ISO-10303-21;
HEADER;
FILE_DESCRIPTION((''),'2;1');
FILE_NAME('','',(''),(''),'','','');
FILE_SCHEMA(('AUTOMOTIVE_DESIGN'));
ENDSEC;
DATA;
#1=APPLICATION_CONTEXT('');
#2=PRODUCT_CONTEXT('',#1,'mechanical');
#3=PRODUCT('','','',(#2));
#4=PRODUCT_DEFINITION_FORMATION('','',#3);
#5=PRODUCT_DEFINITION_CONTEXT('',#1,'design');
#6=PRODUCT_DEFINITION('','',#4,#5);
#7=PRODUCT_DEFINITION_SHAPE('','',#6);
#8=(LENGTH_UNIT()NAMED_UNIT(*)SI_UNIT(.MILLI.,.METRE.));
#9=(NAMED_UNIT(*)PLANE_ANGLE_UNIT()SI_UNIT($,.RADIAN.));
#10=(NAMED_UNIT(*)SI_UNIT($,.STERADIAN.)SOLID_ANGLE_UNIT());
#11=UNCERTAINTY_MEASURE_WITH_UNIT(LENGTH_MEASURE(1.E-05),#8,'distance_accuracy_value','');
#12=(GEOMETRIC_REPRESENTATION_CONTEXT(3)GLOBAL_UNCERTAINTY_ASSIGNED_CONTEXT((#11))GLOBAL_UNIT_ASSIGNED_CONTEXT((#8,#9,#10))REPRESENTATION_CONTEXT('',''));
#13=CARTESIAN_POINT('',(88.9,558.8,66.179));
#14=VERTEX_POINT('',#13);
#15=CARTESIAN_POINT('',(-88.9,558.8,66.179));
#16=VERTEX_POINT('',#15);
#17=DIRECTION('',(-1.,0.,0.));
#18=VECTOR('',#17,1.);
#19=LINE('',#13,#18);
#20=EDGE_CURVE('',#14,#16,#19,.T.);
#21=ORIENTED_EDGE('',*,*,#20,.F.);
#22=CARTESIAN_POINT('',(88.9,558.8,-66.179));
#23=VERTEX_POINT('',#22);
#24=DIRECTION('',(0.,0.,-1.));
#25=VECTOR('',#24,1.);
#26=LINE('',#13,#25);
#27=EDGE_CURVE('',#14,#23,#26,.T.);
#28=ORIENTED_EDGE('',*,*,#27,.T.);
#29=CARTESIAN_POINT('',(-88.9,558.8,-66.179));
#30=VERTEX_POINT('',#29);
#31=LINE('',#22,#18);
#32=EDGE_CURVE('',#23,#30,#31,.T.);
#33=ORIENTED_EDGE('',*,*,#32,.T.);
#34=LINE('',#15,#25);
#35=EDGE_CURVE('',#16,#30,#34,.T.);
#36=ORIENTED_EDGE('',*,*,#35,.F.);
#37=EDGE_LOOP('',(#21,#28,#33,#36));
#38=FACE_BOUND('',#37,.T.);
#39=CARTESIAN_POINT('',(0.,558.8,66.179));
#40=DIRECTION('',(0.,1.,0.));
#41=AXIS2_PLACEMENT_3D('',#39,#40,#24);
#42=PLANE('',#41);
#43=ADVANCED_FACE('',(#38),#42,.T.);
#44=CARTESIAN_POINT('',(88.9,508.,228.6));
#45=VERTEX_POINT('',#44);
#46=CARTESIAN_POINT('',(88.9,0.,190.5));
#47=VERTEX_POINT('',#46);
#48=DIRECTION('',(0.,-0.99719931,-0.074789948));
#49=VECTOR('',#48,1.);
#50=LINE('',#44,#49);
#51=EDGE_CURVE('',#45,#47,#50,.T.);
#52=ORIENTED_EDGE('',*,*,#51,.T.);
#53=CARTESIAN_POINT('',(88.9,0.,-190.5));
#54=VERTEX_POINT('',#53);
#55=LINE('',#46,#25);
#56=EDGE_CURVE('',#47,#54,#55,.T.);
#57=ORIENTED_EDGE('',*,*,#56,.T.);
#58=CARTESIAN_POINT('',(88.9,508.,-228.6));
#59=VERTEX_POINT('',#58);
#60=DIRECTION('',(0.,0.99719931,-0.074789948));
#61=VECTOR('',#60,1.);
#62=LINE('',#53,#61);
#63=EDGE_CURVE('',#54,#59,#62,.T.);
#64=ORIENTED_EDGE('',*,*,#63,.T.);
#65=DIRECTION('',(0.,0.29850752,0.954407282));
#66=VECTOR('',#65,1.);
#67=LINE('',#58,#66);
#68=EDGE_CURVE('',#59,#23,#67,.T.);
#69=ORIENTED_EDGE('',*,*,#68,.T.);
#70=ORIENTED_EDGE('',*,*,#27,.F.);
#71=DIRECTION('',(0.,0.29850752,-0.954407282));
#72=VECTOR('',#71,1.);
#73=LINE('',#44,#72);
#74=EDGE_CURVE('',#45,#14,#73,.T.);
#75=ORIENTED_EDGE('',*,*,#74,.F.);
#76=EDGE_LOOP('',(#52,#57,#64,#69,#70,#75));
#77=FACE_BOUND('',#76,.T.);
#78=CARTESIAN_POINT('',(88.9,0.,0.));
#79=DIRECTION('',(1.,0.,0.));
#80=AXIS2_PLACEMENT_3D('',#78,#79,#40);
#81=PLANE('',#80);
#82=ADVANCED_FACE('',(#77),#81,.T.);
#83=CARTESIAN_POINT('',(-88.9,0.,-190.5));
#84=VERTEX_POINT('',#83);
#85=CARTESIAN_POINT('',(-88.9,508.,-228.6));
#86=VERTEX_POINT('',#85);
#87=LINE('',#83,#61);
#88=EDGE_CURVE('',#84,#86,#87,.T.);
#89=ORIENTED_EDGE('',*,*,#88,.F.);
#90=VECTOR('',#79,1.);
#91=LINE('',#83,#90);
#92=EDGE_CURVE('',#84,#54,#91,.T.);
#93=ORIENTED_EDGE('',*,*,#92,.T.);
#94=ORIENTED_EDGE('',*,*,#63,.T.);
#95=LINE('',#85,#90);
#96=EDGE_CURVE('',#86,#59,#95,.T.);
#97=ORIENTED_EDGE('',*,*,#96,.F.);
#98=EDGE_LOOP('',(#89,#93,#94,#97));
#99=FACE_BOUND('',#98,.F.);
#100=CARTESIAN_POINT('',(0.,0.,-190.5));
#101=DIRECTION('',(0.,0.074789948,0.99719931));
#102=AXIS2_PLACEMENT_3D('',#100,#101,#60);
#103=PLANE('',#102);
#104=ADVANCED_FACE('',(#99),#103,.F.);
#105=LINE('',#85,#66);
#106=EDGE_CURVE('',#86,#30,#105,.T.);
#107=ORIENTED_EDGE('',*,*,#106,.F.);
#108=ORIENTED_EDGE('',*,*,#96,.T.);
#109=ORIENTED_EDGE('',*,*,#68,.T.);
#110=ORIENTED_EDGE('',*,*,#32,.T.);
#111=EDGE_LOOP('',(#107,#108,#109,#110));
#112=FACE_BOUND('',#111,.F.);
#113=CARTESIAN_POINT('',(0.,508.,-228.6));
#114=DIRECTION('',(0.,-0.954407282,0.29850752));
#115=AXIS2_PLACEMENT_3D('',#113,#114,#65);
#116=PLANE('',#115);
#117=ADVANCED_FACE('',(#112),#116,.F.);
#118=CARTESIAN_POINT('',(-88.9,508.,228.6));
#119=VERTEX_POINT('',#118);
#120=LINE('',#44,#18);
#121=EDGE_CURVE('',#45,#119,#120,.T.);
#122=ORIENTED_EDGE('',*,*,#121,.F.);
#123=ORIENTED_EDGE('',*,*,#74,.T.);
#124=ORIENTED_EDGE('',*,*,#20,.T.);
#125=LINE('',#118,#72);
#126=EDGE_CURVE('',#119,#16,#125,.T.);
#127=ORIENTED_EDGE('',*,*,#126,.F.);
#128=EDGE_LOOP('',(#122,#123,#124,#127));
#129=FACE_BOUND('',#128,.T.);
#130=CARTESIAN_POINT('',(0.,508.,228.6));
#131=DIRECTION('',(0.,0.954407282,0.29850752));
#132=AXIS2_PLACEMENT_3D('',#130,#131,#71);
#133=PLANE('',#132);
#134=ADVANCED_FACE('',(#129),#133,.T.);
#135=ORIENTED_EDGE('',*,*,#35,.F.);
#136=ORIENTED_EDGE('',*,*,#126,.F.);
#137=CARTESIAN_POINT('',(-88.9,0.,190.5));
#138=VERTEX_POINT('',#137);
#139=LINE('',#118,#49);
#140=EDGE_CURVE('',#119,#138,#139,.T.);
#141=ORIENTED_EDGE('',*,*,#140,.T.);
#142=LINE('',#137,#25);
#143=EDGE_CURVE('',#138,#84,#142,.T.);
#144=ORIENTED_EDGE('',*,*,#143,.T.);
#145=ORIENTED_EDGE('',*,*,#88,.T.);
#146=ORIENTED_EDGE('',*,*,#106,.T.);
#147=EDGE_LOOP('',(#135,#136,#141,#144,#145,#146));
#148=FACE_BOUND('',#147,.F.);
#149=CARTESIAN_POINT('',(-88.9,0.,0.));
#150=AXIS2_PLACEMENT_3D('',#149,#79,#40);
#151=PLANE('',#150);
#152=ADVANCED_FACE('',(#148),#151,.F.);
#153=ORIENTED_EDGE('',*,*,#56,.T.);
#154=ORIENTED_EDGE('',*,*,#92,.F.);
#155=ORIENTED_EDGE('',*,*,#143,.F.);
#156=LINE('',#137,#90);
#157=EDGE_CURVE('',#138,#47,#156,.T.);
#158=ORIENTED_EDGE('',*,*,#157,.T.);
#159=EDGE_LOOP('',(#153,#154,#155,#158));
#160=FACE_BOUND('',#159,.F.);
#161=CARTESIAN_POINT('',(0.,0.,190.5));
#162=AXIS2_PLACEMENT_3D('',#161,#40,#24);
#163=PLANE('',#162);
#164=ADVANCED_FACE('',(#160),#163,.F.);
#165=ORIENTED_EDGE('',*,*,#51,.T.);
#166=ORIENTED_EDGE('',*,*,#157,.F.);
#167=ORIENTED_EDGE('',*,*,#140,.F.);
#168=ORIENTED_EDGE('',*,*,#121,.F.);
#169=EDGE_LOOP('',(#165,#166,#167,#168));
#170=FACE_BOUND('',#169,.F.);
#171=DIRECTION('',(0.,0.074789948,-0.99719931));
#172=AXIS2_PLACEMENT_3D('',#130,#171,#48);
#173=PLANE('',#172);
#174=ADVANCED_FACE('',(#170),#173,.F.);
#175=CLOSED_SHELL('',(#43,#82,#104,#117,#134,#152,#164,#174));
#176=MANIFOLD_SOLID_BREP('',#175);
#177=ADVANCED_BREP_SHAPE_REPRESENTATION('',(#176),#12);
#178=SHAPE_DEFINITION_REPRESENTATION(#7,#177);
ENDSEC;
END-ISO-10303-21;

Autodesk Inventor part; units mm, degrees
ref_plane "YZ Plane" through (0, 0, 0) normal (1, 0, 0) x (0, 1, 0)
ref_plane "XZ Plane" through (0, 0, 0) normal (0, 1, 0) x (-1, 0, 0)
ref_plane "XY Plane" through (0, 0, 0) normal (0, 0, 1) x (1, 0, 0)
sketch "Sketch1" plane through (0, 0, 0) normal (1, 0, 0) x (0, 1, 0)
  line L0 (0, 190.5) -> (0, -190.5)
  line L1 (0, -190.5) -> (508, -228.6)
  line L2 (508, 228.6) -> (0, 190.5)
  line L3 (508, -228.6) -> (558.8, -66.179)
  line L4 (508, 228.6) -> (558.8, 66.179)
  line L5 (558.8, 66.179) -> (558.8, -66.179)
  point P0 (0, 0)
  point P1 (558.8, 0)
  point P2 (0, 0)
  dimension "d4" = 170.18
  dimension "d5" = 170.18
  dimension "d6" = 381
  dimension "d7" = 558.8
  dimension "d8" = 508
  dimension "d9" = 457.2
extrude "Extrusion1" add sketch "Sketch1" along normal mid plane 177.8
sketch "Sketch2" plane through (88.9, 0, 0) normal (1, 0, 0) x (0, 0, -1)
  point P0 (0, 0)
sketch "Sketch3" plane through (88.9, 0, 0) normal (1, 0, 0) x (0, 0, -1)
  line L0 (-112.634, 500.5851) -> (124.0244, 500.5851) construction
  line L1 (124.0244, 500.5851) -> (124.0244, 398.2724) construction
  line L2 (124.0244, 398.2724) -> (-112.634, 398.2724) construction
  line L3 (-112.634, 398.2724) -> (-112.634, 500.5851) construction
  point P0 (0, 0)
properties part number "DMJ_torso"
